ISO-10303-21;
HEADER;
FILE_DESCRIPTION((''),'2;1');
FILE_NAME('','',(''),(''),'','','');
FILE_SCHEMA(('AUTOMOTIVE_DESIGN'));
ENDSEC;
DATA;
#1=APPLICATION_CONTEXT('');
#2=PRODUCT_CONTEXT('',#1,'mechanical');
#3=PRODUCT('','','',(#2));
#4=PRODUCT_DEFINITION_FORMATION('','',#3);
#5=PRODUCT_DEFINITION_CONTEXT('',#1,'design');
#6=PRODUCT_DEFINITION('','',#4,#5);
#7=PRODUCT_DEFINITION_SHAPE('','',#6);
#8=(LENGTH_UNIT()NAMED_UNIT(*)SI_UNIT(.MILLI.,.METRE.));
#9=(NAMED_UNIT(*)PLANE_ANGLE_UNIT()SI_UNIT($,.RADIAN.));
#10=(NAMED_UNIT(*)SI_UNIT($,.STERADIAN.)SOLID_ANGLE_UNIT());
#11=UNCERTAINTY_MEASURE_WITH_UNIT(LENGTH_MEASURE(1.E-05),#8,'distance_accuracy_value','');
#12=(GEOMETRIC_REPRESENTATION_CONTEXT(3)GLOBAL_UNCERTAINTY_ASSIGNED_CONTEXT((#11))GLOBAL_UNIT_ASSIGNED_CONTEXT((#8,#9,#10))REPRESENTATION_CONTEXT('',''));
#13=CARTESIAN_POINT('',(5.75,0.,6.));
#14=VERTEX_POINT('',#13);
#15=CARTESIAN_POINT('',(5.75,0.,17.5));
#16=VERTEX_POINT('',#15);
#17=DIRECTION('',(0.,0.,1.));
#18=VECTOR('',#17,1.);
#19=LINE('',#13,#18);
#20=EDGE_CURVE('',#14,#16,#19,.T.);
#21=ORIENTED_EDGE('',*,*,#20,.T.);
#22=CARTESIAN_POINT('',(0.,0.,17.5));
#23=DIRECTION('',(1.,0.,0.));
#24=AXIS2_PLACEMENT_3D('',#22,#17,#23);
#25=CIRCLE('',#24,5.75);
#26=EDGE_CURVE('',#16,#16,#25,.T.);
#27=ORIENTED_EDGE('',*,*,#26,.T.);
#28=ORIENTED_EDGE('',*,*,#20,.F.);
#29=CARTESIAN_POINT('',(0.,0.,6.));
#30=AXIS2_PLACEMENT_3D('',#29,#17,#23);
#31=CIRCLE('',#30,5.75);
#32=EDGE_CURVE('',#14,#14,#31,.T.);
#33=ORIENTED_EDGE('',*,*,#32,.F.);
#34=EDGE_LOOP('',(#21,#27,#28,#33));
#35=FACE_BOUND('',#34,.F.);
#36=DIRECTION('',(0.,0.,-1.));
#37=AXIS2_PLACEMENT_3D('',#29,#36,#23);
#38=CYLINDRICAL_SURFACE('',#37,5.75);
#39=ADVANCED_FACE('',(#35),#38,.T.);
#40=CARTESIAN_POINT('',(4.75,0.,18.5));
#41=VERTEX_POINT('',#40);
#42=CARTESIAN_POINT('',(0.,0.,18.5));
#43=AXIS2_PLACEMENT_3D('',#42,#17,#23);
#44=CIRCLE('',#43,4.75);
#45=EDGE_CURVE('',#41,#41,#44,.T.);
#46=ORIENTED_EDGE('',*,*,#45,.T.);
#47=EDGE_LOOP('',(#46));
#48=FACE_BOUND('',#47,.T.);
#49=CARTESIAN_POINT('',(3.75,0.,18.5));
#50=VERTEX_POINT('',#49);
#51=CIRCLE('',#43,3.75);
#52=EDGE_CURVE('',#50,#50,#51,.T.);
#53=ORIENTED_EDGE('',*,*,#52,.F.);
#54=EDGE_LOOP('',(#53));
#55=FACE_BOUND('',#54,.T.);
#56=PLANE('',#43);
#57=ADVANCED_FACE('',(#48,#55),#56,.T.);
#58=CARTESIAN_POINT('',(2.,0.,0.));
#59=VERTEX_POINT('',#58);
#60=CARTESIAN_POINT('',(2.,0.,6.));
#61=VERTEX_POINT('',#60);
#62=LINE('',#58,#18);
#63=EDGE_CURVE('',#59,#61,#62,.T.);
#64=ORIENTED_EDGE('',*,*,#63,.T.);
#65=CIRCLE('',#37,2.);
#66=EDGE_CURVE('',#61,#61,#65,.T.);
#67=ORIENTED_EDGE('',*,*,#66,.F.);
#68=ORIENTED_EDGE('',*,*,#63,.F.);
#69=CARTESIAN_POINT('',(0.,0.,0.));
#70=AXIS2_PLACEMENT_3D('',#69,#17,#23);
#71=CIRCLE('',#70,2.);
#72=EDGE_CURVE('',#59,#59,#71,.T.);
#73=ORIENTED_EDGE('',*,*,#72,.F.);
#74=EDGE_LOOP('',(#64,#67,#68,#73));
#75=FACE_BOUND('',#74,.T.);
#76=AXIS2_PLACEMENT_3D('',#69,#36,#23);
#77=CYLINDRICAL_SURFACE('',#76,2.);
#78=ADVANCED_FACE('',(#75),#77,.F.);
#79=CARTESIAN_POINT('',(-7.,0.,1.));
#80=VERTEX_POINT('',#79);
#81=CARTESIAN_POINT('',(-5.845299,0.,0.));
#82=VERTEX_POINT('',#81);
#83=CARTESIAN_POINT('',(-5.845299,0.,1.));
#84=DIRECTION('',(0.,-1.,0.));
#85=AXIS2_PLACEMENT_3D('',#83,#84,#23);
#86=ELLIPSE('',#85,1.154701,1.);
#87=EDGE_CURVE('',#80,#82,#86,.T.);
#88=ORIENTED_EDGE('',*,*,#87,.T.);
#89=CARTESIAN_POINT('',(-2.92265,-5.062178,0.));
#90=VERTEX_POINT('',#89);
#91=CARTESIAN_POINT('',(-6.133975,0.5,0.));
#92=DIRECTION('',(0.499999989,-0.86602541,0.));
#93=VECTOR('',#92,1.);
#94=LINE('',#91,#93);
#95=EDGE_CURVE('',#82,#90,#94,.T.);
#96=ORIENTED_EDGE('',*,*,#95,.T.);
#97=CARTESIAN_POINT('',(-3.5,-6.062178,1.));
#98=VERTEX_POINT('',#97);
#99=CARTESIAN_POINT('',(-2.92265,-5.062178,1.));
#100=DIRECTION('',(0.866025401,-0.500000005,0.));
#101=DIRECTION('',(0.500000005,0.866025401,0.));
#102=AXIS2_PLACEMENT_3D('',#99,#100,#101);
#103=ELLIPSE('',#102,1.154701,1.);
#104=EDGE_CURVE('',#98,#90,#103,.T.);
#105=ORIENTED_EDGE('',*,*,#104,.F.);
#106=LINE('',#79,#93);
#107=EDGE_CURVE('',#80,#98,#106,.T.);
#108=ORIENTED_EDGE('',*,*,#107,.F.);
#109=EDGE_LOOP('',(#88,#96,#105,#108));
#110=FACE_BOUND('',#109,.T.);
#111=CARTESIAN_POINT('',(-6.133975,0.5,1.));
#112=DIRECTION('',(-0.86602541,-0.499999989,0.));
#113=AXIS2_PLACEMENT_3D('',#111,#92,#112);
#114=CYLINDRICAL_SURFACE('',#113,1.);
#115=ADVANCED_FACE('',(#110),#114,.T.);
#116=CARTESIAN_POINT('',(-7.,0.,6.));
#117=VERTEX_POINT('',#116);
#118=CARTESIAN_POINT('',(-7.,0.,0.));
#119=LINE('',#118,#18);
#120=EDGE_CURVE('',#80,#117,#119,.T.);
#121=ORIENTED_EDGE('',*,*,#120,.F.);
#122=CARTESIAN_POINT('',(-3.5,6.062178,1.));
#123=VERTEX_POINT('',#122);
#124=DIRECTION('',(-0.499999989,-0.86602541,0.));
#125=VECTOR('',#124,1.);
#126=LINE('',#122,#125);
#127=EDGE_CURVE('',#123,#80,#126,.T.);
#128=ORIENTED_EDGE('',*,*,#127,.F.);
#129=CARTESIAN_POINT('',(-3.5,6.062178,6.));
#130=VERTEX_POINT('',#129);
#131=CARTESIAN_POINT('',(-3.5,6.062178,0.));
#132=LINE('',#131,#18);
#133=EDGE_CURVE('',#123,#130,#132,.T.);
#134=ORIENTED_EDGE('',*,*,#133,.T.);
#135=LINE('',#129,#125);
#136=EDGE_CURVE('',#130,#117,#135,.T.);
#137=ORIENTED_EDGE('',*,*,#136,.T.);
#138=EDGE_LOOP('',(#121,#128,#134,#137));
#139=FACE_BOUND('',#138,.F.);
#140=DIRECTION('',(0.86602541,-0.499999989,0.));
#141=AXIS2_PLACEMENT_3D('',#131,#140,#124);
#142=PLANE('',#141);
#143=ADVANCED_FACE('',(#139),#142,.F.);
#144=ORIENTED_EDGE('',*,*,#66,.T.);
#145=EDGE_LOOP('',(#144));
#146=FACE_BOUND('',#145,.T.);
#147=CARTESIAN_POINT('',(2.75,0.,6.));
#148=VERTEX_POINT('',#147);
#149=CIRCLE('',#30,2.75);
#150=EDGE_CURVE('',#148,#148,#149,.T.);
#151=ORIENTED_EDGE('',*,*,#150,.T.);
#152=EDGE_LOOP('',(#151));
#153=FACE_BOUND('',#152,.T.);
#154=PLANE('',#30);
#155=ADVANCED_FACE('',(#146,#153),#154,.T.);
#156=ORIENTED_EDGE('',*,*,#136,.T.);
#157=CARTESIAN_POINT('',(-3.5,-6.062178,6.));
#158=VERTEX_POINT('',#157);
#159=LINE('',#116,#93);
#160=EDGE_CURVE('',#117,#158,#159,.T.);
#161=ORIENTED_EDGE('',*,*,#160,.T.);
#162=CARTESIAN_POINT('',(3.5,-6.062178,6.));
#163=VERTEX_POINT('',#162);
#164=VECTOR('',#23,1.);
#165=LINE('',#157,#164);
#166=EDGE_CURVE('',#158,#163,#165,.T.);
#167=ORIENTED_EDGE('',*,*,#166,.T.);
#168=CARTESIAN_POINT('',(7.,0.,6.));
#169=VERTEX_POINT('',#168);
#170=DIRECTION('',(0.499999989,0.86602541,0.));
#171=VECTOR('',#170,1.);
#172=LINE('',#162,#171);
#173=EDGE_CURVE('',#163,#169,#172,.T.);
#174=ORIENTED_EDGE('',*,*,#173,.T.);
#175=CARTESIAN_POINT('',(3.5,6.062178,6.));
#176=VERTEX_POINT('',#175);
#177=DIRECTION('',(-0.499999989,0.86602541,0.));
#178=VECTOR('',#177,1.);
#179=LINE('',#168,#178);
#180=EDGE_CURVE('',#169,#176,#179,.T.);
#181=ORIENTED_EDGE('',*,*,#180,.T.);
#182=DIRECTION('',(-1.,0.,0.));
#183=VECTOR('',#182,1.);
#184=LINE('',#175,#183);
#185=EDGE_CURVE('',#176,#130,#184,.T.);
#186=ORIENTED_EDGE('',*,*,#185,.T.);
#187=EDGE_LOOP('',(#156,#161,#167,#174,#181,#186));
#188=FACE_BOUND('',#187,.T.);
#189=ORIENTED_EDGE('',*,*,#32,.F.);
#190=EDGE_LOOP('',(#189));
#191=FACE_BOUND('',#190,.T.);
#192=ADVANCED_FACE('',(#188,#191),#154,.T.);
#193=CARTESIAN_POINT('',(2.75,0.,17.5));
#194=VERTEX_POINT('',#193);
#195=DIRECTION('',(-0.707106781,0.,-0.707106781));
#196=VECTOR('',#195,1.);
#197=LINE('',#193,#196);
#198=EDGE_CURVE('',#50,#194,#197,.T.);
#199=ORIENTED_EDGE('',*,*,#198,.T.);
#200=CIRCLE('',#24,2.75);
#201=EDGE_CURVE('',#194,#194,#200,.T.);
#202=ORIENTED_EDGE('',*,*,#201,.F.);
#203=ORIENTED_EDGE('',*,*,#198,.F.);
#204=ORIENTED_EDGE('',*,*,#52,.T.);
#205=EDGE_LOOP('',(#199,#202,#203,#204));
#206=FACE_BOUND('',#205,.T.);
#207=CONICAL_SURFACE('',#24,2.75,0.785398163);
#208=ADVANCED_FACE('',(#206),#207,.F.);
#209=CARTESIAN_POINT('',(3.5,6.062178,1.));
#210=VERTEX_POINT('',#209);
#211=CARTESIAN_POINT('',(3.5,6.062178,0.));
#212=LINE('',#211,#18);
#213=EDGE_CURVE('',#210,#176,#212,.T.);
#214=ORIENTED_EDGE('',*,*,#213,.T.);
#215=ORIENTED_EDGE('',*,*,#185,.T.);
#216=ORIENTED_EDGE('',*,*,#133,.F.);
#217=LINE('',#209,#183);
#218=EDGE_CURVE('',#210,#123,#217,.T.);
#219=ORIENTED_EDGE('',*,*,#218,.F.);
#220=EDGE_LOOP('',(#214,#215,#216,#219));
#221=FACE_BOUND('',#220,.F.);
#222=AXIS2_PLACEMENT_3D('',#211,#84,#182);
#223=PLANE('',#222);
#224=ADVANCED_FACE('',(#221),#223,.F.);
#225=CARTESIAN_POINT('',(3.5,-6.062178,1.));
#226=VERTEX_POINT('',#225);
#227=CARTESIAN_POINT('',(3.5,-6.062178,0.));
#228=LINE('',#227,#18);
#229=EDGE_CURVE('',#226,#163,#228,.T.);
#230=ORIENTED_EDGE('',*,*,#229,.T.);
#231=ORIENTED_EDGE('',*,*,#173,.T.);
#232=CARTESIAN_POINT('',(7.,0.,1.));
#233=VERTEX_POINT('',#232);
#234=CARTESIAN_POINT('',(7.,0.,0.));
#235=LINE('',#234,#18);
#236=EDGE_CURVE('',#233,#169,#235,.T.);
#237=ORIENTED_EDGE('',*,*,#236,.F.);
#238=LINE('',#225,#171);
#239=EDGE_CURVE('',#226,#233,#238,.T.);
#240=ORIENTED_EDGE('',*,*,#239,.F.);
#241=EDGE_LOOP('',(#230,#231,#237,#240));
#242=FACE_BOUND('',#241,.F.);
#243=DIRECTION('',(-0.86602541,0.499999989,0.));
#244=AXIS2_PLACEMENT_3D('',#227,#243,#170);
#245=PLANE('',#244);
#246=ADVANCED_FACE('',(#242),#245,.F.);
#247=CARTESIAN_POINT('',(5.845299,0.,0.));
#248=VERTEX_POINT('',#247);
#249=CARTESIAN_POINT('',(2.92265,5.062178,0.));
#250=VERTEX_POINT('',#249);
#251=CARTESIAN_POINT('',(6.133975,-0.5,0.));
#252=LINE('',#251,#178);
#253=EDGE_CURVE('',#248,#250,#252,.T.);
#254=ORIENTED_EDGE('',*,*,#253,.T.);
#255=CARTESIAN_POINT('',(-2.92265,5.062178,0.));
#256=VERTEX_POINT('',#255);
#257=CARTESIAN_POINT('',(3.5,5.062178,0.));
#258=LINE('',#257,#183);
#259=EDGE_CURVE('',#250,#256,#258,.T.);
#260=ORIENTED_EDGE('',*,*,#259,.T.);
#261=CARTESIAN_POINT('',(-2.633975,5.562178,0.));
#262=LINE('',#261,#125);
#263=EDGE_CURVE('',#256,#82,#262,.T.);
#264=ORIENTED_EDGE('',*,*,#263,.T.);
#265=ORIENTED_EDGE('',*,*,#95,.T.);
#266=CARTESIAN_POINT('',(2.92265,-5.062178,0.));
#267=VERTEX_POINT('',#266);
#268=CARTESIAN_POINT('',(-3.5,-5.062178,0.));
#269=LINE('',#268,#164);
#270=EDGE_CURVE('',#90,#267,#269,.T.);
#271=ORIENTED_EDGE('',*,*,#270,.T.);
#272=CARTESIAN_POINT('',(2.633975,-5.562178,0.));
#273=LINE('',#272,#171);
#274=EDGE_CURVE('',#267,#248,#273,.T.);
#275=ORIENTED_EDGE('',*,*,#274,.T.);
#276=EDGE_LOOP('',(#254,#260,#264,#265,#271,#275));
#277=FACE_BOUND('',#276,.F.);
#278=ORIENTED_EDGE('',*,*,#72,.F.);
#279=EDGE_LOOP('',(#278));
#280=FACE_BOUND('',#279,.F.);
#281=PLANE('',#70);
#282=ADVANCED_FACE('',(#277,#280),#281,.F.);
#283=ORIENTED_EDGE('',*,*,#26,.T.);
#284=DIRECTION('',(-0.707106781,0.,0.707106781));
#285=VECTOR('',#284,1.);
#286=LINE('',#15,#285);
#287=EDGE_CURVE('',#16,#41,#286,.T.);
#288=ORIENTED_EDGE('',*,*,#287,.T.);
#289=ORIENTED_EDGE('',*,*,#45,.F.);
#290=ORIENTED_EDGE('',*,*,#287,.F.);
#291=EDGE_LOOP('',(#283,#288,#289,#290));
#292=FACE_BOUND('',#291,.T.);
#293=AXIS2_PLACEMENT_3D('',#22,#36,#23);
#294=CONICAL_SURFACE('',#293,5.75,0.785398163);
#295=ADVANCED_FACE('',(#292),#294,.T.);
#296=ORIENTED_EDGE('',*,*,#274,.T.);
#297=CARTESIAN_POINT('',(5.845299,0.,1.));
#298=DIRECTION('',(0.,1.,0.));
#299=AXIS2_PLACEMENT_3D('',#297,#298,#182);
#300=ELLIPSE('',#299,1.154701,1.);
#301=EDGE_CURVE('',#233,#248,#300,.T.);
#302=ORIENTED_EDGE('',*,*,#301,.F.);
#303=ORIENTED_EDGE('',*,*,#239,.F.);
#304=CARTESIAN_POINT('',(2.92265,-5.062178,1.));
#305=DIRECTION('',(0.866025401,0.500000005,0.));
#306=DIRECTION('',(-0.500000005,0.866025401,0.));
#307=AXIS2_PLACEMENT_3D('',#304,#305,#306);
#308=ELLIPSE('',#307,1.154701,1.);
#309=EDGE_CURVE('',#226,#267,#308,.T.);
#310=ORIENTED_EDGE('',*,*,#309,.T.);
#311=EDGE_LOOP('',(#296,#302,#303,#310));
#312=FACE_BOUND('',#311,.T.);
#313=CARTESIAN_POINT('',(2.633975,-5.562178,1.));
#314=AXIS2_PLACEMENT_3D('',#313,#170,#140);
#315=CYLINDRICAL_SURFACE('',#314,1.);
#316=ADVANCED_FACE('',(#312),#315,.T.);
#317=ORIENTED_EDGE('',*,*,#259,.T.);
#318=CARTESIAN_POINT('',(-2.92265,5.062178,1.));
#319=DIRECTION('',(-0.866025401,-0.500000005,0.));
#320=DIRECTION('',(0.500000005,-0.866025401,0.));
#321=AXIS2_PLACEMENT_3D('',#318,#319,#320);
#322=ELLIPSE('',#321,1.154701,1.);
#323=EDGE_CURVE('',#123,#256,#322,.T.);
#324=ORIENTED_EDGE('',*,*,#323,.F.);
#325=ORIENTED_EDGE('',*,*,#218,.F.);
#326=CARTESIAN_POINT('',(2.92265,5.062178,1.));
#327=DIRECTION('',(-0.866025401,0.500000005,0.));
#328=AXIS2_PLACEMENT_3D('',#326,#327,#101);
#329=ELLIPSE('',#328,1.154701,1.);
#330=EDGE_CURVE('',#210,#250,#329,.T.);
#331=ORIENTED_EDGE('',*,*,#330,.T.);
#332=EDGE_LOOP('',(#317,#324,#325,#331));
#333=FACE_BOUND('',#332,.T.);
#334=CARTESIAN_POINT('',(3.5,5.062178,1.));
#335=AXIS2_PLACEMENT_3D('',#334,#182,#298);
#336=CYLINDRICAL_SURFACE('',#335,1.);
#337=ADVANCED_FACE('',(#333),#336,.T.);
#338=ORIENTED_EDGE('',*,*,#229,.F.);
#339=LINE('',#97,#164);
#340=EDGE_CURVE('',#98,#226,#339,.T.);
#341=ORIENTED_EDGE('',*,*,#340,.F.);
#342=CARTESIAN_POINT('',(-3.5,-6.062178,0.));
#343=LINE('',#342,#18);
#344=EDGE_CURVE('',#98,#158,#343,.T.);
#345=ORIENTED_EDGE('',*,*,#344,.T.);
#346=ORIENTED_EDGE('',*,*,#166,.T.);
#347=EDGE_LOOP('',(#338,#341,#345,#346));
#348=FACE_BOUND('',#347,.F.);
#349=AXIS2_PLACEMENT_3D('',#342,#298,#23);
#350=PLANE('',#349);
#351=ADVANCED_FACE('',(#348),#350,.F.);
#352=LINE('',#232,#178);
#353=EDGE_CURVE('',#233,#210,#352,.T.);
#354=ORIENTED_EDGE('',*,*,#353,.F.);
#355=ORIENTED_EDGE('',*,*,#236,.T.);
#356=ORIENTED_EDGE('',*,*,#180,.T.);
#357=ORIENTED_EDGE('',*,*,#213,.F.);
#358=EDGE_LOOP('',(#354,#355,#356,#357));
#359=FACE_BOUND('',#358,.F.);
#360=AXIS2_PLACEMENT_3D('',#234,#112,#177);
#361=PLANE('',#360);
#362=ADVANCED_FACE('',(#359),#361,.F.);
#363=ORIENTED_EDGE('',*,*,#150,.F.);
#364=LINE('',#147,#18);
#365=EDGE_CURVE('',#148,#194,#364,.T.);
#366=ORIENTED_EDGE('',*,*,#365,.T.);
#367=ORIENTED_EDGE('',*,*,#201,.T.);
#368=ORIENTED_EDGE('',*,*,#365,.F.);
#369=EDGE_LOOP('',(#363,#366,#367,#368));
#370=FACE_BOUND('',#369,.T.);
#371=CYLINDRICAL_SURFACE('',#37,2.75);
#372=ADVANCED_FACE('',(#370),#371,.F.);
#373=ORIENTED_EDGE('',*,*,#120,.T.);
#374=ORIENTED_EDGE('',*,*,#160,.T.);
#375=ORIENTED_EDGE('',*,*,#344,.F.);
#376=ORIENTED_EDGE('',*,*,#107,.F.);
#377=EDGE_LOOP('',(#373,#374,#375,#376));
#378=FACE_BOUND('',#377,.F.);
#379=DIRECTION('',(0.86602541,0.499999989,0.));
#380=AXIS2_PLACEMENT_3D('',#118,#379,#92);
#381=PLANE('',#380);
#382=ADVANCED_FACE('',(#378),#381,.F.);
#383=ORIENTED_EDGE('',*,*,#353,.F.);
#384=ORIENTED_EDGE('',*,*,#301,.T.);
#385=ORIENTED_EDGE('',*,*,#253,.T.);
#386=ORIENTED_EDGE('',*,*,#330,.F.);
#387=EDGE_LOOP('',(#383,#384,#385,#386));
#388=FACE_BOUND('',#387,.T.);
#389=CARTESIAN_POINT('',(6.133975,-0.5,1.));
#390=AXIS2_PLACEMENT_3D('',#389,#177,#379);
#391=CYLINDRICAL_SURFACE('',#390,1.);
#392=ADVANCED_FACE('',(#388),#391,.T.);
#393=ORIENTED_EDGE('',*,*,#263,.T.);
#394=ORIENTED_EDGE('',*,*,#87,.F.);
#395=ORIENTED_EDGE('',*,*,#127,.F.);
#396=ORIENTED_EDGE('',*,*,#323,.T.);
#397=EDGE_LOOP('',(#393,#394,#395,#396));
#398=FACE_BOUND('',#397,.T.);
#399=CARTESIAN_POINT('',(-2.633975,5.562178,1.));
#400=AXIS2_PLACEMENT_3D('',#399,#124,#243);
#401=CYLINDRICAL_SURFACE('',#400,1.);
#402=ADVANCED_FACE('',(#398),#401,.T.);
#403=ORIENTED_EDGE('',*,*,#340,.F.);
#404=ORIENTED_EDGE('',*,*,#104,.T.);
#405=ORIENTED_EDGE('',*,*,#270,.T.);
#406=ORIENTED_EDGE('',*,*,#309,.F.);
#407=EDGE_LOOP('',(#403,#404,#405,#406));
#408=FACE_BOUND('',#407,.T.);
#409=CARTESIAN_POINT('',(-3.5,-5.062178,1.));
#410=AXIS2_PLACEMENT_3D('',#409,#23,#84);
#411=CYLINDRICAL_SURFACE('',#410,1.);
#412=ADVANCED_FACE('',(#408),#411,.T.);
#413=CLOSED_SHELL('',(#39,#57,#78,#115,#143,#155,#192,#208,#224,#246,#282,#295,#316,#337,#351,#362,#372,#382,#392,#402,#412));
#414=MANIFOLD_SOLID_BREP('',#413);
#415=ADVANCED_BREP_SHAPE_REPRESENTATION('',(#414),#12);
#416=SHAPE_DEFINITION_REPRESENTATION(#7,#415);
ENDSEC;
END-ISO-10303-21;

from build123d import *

# Parameters (mm, degrees)
PAD_DEPTH     = 6
SKETCH001_R   = 5.75
SKETCH001_R_2 = 2.75
PAD001_DEPTH  = 12.5
CHAMFER_SIZE  = 1
FILLET_R      = 1
SKETCH002_R   = 2
POCKET_DEPTH  = 18.501


with BuildPart() as part:
    # Sketch → Pad (new body)
    with BuildSketch(Plane.XY):
        Polygon((3.5, -6.062178), (7, 0), (3.5, 6.062178), (-3.5, 6.062178), (-7, 0), (-3.5, -6.062178), align=None)
    extrude(amount=PAD_DEPTH)

    # Sketch001 → Pad001 (join)
    with BuildSketch(Plane.XY.offset(6)):
        Circle(SKETCH001_R)
        Circle(SKETCH001_R_2, mode=Mode.SUBTRACT)
    extrude(amount=PAD001_DEPTH)

    # Chamfer
    chamfer_edges = [part.edges().sort_by_distance(p)[0] for p in [
        (-2.75, 0, 18.5),
        (-5.75, 0, 18.5),
    ]]
    chamfer(chamfer_edges, length=CHAMFER_SIZE)

    # Fillet
    fillet_edges = [part.edges().sort_by_distance(p)[0] for p in [
        (5.25, 3.031089, 0),
        (5.25, -3.031089, 0),
        (0, -6.062178, 0),
        (-5.25, -3.031089, 0),
        (-5.25, 3.031089, 0),
        (0, 6.062178, 0),
    ]]
    fillet(fillet_edges, radius=FILLET_R)

    # Sketch002 → Pocket (cut, through all)
    with BuildSketch(Plane.XY):
        Circle(SKETCH002_R)
    extrude(amount=POCKET_DEPTH, mode=Mode.SUBTRACT)


solid = part.part
